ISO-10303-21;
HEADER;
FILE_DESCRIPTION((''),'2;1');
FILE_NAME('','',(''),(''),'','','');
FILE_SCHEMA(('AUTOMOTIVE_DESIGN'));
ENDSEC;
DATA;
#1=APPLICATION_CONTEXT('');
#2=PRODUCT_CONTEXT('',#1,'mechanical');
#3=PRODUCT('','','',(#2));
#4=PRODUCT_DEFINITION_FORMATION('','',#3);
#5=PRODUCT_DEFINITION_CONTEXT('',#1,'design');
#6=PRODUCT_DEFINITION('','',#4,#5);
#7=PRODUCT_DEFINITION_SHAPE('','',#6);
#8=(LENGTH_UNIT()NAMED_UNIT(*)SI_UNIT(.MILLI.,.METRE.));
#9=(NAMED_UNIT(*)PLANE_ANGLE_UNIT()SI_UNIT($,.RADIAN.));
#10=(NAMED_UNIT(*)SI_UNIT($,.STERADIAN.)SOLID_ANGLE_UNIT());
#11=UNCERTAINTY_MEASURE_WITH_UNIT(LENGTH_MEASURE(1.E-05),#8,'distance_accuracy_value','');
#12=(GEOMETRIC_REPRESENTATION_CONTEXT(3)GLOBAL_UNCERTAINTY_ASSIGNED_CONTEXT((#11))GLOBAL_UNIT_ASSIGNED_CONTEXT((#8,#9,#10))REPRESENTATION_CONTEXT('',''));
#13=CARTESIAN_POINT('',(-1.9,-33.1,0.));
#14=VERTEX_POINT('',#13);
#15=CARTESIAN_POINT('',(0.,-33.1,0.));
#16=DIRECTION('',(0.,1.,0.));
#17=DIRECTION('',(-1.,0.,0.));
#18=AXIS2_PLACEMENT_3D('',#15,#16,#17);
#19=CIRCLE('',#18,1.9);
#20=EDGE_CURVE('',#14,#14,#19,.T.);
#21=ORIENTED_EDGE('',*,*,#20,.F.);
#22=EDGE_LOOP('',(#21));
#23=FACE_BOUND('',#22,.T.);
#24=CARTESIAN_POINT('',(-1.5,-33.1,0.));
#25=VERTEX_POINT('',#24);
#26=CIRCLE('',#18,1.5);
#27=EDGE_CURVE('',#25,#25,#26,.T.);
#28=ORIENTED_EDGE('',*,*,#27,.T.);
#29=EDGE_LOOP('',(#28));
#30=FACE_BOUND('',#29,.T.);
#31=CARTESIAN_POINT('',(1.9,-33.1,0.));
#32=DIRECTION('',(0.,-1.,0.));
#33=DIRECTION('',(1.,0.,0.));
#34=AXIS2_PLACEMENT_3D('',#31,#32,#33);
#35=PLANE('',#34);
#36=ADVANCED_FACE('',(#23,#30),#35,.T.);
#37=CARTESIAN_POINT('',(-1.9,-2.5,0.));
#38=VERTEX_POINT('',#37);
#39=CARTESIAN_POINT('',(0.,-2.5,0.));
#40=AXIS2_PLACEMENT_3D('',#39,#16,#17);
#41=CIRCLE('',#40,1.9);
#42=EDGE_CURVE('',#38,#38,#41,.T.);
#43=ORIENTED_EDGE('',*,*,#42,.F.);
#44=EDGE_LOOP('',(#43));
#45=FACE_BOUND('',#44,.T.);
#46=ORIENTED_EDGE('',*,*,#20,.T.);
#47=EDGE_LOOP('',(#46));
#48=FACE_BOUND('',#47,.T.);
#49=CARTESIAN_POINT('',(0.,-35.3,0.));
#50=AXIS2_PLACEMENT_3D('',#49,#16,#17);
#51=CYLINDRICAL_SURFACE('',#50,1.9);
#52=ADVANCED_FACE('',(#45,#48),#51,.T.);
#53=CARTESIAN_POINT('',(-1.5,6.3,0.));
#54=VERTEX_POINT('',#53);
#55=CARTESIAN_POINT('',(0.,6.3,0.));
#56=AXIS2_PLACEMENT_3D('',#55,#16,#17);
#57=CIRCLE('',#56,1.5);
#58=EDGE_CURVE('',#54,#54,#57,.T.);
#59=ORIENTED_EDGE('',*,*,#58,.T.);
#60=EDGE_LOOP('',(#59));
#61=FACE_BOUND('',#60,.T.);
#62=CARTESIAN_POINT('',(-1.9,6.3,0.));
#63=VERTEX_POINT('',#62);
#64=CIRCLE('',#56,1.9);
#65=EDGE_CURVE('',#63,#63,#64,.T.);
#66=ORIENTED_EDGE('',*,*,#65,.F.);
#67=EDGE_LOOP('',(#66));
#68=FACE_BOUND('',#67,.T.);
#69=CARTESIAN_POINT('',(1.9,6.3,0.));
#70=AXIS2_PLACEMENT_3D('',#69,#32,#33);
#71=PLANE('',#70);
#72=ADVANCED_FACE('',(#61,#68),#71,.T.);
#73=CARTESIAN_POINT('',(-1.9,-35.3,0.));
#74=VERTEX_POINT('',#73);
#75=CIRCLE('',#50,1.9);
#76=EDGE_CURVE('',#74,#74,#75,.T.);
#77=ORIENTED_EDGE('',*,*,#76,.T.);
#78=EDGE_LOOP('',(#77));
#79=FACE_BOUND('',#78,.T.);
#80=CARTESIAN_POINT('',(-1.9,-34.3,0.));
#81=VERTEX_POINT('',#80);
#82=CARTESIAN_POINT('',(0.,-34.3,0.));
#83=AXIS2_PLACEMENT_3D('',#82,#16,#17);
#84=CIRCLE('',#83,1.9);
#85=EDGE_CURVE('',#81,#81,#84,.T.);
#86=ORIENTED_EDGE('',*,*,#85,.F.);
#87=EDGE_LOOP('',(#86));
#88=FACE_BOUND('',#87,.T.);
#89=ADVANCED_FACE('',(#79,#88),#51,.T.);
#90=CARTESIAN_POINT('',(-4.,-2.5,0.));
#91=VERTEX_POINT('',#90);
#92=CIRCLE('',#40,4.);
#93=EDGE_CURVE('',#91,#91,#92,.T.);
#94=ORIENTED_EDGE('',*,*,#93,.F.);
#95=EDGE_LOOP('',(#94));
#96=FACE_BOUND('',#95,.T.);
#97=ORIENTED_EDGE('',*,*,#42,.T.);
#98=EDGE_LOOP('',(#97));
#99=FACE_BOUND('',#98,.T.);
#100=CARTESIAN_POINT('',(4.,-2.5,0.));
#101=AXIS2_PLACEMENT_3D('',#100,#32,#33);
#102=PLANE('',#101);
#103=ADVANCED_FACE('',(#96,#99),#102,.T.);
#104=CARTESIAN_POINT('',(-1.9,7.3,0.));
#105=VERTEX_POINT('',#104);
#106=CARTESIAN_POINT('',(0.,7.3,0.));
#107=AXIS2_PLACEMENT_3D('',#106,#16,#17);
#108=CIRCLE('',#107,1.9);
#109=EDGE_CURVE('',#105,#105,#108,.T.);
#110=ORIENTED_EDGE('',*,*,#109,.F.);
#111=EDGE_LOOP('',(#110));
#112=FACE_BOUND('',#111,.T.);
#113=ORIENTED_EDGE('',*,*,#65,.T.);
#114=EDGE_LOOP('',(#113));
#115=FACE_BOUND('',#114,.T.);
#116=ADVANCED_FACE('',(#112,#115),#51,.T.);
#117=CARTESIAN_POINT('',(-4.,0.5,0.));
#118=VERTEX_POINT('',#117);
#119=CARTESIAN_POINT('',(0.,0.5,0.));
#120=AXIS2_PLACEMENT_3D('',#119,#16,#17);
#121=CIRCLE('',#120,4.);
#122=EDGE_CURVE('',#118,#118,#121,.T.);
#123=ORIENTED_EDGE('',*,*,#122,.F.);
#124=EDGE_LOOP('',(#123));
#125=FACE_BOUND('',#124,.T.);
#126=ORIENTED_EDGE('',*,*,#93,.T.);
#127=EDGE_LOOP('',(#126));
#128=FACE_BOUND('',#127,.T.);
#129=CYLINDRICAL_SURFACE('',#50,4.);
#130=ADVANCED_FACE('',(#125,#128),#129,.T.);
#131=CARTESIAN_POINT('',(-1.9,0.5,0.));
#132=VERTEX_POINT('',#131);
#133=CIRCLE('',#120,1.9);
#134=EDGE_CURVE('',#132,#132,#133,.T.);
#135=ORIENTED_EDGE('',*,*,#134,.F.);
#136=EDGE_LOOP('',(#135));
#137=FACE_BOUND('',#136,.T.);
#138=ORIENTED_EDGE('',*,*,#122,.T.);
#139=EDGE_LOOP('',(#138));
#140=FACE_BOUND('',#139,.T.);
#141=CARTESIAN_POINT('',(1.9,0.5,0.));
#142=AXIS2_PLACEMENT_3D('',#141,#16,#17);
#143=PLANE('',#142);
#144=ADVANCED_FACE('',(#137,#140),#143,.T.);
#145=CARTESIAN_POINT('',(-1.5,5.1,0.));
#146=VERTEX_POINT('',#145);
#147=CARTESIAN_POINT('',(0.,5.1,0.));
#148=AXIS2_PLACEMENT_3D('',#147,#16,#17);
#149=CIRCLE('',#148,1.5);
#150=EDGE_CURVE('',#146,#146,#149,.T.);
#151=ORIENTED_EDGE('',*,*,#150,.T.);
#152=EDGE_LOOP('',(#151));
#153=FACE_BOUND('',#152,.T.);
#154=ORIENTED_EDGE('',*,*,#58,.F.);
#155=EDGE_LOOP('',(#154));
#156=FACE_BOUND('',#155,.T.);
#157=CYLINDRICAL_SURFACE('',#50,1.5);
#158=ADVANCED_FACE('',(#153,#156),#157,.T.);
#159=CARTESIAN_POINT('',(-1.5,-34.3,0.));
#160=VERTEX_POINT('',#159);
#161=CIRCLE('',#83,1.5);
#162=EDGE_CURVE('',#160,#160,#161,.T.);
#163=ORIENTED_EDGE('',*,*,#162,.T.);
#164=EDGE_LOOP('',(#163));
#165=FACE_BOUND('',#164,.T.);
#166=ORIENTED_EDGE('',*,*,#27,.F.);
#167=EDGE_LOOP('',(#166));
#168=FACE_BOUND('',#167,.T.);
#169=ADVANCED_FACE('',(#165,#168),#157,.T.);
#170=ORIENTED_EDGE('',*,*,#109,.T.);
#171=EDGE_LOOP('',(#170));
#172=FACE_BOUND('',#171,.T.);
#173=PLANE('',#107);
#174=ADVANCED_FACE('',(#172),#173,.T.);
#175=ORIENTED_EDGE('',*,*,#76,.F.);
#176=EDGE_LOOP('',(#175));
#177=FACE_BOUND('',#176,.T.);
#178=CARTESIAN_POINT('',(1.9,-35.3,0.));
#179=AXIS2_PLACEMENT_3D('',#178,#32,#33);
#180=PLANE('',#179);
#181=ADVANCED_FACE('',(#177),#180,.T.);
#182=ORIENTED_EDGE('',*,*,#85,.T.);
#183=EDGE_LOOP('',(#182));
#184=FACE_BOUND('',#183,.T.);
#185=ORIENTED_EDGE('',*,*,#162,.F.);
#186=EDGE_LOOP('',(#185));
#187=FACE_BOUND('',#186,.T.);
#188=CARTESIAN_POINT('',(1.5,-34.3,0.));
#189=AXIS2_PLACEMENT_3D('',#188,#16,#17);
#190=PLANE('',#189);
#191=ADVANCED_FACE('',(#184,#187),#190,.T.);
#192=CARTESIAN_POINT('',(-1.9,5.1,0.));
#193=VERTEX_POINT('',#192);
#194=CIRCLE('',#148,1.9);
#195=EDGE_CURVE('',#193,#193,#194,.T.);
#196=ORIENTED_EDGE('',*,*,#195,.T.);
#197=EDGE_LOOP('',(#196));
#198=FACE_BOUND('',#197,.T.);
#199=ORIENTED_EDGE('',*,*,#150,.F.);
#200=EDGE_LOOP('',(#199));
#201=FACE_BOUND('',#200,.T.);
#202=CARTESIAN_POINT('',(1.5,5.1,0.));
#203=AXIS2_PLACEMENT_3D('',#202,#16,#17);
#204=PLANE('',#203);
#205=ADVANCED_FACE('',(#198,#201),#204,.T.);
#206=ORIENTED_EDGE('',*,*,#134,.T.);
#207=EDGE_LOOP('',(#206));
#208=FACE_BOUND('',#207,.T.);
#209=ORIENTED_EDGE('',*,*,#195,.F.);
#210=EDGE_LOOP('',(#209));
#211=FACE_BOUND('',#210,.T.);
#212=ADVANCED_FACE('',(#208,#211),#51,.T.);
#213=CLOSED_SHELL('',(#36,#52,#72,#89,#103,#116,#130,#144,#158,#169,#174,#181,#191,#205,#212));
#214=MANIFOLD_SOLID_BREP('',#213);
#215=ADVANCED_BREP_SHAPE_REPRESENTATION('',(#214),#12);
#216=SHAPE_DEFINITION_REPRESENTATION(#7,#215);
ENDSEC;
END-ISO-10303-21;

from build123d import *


with BuildPart() as part:
    # Sketch1 → Revolve1 (revolve)
    with BuildSketch(Plane(origin=(0, 0, 0), x_dir=(-1, 0, 0), z_dir=(0, 0, -1)), mode=Mode.PRIVATE) as revolve1_sk:
        Polygon((-1.9, -35.3), (0, -35.3), (0, 7.3), (-1.9, 7.3), (-1.9, 6.3), (-1.5, 6.3), (-1.5, 5.1), (-1.9, 5.1), (-1.9, 0.5), (-4, 0.5), (-4, -2.5), (-1.9, -2.5), (-1.9, -33.1), (-1.5, -33.1), (-1.5, -34.3), (-1.9, -34.3), align=None)
    revolve(revolve1_sk.sketch.rotate(Axis((0, -35.3, 0), (0, 1, 0)), 180), axis=Axis((0, -35.3, 0), (0, 1, 0)))


solid = part.part
